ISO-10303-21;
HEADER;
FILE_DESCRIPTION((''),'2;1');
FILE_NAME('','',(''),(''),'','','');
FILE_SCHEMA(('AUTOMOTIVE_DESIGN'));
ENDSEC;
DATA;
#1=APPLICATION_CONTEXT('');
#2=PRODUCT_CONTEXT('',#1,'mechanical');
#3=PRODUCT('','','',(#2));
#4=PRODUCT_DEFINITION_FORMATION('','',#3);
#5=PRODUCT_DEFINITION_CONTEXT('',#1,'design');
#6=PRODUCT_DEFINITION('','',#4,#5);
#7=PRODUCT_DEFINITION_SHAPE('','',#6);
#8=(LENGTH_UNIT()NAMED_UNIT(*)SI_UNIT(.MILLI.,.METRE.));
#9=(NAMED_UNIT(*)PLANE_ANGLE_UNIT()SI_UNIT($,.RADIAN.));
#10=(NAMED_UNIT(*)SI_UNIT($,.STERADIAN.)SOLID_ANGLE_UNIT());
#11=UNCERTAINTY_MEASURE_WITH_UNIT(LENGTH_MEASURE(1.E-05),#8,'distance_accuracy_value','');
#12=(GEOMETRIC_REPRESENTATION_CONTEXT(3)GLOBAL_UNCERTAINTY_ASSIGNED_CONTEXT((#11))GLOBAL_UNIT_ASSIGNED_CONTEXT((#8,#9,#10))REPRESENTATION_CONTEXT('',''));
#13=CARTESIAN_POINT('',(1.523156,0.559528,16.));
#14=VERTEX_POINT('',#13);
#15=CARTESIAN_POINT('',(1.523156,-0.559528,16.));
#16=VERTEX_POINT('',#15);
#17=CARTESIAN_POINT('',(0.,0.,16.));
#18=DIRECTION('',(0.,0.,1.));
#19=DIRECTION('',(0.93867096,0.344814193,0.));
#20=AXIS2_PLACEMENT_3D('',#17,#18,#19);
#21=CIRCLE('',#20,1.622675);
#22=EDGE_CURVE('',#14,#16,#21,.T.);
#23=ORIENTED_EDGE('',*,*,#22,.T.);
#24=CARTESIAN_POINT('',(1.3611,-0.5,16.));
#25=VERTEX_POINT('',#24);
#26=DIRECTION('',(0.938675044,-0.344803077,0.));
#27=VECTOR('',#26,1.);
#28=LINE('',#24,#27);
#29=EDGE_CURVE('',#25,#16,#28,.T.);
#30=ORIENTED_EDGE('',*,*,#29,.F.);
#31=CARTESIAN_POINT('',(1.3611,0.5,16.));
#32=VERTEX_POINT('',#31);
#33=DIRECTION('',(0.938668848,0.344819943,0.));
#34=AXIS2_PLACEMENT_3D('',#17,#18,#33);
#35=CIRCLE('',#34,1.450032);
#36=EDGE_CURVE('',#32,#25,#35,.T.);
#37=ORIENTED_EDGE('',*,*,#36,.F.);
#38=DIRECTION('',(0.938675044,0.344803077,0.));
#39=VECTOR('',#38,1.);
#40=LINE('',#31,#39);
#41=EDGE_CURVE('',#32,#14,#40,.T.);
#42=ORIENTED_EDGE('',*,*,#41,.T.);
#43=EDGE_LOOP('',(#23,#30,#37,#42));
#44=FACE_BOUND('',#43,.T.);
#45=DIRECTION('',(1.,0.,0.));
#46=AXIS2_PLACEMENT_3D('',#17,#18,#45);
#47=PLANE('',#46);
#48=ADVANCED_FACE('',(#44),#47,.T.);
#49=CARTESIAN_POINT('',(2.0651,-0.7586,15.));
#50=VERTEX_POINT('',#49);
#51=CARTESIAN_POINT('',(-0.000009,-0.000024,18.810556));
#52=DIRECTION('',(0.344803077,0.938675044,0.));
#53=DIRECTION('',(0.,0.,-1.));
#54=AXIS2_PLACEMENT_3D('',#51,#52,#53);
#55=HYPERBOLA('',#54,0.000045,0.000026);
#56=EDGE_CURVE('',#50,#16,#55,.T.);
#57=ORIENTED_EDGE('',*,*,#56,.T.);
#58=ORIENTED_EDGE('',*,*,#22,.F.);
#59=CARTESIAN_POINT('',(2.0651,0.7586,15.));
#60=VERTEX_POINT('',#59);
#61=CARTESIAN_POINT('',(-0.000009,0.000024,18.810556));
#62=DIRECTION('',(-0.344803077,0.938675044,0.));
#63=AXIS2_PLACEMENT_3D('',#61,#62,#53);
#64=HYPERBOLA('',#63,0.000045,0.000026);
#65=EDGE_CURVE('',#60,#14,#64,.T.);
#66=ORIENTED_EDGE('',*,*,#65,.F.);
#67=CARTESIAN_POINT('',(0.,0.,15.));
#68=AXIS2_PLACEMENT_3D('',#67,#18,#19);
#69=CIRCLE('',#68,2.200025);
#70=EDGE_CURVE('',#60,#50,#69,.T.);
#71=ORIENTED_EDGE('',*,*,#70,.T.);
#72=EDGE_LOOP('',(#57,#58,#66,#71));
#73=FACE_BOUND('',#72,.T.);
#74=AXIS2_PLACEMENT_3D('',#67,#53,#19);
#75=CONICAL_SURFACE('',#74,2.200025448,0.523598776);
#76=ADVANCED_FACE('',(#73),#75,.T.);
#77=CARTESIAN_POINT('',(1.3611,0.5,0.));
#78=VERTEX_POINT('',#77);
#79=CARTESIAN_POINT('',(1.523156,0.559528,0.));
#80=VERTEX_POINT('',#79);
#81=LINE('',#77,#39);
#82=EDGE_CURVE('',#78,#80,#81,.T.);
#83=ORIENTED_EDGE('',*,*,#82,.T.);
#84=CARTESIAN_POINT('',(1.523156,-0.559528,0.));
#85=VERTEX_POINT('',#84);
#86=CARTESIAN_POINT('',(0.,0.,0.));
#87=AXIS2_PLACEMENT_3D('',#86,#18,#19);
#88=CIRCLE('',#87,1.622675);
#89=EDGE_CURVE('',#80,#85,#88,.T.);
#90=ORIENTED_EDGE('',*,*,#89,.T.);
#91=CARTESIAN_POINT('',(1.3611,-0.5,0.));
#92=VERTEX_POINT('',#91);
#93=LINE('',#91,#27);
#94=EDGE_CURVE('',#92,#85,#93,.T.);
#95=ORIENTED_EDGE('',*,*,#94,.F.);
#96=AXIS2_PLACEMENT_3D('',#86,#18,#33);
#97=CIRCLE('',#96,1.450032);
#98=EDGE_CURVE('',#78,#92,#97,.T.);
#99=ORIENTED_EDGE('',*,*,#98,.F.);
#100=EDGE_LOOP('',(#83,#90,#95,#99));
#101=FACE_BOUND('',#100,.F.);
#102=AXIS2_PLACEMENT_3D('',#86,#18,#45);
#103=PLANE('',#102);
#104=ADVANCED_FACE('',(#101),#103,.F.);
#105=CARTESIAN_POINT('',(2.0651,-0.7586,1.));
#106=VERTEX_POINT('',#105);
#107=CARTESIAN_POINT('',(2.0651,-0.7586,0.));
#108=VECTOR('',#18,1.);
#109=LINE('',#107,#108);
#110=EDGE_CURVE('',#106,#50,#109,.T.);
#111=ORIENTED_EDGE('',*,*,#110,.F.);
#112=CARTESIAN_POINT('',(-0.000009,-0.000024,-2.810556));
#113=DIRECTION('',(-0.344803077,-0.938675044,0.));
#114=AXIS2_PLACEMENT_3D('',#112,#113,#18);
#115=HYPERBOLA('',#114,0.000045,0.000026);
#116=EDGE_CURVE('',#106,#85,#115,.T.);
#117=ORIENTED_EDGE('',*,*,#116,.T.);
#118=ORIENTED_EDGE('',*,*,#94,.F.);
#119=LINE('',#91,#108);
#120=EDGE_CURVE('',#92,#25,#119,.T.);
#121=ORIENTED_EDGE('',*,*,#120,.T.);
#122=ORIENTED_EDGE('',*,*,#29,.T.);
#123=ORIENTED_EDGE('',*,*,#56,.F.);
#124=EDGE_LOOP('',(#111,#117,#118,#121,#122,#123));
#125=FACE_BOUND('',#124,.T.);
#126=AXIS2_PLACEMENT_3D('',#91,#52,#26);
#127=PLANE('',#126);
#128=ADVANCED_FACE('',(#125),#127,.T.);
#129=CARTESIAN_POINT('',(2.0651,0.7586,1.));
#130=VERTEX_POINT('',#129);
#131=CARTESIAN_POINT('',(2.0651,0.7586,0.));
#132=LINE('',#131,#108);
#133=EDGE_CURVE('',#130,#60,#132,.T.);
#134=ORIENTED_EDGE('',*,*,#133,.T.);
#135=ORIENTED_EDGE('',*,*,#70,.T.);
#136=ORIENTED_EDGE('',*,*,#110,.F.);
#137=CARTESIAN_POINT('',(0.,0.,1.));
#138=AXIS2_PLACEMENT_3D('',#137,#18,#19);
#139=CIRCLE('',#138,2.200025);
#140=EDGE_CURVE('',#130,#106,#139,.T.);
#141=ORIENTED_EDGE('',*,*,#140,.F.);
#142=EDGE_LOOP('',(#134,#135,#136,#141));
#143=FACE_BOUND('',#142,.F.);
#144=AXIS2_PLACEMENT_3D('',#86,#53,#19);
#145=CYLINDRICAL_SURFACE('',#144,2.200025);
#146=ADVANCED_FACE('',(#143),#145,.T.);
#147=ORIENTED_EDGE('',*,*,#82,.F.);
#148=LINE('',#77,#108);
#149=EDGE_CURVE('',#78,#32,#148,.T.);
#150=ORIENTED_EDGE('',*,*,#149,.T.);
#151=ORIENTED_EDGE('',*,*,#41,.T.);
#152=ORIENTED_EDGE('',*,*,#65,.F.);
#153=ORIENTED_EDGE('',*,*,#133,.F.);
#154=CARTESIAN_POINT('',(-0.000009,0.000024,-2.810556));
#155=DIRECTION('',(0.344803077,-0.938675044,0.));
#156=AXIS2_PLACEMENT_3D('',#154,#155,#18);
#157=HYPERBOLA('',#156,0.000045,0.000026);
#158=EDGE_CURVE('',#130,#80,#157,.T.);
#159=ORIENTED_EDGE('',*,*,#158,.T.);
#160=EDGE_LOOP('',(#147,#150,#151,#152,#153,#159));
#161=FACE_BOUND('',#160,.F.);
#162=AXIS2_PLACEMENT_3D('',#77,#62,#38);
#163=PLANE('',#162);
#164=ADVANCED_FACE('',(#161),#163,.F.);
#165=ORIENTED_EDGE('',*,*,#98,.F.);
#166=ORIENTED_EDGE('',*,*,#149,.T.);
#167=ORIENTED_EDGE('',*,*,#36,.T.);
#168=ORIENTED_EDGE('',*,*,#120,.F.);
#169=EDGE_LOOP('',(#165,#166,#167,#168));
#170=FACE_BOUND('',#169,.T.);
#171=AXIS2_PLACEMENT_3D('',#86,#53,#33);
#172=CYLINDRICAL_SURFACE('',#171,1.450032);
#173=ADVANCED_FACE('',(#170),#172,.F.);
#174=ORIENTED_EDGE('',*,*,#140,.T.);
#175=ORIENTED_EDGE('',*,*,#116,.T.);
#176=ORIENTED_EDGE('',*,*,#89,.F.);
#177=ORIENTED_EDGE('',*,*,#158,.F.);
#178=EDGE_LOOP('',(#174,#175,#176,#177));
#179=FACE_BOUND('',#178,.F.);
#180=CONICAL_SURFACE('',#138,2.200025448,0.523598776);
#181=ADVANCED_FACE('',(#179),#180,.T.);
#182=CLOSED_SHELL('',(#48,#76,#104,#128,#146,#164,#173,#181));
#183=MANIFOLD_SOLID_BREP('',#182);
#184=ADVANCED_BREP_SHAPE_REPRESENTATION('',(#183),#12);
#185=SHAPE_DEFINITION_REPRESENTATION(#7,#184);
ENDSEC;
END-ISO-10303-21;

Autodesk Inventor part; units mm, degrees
ref_plane "YZ Plane" through (0, 0, 0) normal (1, 0, 0) x (0, 1, 0)
ref_plane "XZ Plane" through (0, 0, 0) normal (0, 1, 0) x (-1, 0, 0)
ref_plane "XY Plane" through (0, 0, 0) normal (0, 0, 1) x (1, 0, 0)
sketch "Sketch1" plane through (0, 0, 0) normal (0, 0, 1) x (1, 0, 0)
  arc A0 (2.0651, 0.7586) -> (2.0651, -0.7586) centre (0, 0) ccw
  arc A1 (1.3611, 0.5) -> (1.3611, -0.5) centre (0, 0) ccw
  line L0 (0, 0) -> (1.3611, 0.5) construction
  line L1 (0, 0) -> (1.3611, -0.5) construction
  arc A2 (2.0651, -0.7586) -> (2.0651, 0.7586) centre (0, 0) ccw construction
  arc A3 (1.3611, -0.5) -> (1.3611, 0.5) centre (0, 0) ccw construction
  line L2 (1.3611, 0.5) -> (2.0651, 0.7586)
  line L3 (1.3611, -0.5) -> (2.0651, -0.7586)
  point P0 (2.2, 0)
  dimension "d0" = 4.4
  dimension "d1" = 2.9
  dimension "d2" = 1
extrude "Extrusion1" add sketch "Sketch1" along normal blind 16
chamfer "Chamfer1" distance 1 angle 30 2 edges at (-2.2, 0, 16) (-2.2, 0, 0) measured on face at (0.8773, -2.0175, 10.6667)
properties part number "Part003.ElasticPin" material "Steel, Carbon"
